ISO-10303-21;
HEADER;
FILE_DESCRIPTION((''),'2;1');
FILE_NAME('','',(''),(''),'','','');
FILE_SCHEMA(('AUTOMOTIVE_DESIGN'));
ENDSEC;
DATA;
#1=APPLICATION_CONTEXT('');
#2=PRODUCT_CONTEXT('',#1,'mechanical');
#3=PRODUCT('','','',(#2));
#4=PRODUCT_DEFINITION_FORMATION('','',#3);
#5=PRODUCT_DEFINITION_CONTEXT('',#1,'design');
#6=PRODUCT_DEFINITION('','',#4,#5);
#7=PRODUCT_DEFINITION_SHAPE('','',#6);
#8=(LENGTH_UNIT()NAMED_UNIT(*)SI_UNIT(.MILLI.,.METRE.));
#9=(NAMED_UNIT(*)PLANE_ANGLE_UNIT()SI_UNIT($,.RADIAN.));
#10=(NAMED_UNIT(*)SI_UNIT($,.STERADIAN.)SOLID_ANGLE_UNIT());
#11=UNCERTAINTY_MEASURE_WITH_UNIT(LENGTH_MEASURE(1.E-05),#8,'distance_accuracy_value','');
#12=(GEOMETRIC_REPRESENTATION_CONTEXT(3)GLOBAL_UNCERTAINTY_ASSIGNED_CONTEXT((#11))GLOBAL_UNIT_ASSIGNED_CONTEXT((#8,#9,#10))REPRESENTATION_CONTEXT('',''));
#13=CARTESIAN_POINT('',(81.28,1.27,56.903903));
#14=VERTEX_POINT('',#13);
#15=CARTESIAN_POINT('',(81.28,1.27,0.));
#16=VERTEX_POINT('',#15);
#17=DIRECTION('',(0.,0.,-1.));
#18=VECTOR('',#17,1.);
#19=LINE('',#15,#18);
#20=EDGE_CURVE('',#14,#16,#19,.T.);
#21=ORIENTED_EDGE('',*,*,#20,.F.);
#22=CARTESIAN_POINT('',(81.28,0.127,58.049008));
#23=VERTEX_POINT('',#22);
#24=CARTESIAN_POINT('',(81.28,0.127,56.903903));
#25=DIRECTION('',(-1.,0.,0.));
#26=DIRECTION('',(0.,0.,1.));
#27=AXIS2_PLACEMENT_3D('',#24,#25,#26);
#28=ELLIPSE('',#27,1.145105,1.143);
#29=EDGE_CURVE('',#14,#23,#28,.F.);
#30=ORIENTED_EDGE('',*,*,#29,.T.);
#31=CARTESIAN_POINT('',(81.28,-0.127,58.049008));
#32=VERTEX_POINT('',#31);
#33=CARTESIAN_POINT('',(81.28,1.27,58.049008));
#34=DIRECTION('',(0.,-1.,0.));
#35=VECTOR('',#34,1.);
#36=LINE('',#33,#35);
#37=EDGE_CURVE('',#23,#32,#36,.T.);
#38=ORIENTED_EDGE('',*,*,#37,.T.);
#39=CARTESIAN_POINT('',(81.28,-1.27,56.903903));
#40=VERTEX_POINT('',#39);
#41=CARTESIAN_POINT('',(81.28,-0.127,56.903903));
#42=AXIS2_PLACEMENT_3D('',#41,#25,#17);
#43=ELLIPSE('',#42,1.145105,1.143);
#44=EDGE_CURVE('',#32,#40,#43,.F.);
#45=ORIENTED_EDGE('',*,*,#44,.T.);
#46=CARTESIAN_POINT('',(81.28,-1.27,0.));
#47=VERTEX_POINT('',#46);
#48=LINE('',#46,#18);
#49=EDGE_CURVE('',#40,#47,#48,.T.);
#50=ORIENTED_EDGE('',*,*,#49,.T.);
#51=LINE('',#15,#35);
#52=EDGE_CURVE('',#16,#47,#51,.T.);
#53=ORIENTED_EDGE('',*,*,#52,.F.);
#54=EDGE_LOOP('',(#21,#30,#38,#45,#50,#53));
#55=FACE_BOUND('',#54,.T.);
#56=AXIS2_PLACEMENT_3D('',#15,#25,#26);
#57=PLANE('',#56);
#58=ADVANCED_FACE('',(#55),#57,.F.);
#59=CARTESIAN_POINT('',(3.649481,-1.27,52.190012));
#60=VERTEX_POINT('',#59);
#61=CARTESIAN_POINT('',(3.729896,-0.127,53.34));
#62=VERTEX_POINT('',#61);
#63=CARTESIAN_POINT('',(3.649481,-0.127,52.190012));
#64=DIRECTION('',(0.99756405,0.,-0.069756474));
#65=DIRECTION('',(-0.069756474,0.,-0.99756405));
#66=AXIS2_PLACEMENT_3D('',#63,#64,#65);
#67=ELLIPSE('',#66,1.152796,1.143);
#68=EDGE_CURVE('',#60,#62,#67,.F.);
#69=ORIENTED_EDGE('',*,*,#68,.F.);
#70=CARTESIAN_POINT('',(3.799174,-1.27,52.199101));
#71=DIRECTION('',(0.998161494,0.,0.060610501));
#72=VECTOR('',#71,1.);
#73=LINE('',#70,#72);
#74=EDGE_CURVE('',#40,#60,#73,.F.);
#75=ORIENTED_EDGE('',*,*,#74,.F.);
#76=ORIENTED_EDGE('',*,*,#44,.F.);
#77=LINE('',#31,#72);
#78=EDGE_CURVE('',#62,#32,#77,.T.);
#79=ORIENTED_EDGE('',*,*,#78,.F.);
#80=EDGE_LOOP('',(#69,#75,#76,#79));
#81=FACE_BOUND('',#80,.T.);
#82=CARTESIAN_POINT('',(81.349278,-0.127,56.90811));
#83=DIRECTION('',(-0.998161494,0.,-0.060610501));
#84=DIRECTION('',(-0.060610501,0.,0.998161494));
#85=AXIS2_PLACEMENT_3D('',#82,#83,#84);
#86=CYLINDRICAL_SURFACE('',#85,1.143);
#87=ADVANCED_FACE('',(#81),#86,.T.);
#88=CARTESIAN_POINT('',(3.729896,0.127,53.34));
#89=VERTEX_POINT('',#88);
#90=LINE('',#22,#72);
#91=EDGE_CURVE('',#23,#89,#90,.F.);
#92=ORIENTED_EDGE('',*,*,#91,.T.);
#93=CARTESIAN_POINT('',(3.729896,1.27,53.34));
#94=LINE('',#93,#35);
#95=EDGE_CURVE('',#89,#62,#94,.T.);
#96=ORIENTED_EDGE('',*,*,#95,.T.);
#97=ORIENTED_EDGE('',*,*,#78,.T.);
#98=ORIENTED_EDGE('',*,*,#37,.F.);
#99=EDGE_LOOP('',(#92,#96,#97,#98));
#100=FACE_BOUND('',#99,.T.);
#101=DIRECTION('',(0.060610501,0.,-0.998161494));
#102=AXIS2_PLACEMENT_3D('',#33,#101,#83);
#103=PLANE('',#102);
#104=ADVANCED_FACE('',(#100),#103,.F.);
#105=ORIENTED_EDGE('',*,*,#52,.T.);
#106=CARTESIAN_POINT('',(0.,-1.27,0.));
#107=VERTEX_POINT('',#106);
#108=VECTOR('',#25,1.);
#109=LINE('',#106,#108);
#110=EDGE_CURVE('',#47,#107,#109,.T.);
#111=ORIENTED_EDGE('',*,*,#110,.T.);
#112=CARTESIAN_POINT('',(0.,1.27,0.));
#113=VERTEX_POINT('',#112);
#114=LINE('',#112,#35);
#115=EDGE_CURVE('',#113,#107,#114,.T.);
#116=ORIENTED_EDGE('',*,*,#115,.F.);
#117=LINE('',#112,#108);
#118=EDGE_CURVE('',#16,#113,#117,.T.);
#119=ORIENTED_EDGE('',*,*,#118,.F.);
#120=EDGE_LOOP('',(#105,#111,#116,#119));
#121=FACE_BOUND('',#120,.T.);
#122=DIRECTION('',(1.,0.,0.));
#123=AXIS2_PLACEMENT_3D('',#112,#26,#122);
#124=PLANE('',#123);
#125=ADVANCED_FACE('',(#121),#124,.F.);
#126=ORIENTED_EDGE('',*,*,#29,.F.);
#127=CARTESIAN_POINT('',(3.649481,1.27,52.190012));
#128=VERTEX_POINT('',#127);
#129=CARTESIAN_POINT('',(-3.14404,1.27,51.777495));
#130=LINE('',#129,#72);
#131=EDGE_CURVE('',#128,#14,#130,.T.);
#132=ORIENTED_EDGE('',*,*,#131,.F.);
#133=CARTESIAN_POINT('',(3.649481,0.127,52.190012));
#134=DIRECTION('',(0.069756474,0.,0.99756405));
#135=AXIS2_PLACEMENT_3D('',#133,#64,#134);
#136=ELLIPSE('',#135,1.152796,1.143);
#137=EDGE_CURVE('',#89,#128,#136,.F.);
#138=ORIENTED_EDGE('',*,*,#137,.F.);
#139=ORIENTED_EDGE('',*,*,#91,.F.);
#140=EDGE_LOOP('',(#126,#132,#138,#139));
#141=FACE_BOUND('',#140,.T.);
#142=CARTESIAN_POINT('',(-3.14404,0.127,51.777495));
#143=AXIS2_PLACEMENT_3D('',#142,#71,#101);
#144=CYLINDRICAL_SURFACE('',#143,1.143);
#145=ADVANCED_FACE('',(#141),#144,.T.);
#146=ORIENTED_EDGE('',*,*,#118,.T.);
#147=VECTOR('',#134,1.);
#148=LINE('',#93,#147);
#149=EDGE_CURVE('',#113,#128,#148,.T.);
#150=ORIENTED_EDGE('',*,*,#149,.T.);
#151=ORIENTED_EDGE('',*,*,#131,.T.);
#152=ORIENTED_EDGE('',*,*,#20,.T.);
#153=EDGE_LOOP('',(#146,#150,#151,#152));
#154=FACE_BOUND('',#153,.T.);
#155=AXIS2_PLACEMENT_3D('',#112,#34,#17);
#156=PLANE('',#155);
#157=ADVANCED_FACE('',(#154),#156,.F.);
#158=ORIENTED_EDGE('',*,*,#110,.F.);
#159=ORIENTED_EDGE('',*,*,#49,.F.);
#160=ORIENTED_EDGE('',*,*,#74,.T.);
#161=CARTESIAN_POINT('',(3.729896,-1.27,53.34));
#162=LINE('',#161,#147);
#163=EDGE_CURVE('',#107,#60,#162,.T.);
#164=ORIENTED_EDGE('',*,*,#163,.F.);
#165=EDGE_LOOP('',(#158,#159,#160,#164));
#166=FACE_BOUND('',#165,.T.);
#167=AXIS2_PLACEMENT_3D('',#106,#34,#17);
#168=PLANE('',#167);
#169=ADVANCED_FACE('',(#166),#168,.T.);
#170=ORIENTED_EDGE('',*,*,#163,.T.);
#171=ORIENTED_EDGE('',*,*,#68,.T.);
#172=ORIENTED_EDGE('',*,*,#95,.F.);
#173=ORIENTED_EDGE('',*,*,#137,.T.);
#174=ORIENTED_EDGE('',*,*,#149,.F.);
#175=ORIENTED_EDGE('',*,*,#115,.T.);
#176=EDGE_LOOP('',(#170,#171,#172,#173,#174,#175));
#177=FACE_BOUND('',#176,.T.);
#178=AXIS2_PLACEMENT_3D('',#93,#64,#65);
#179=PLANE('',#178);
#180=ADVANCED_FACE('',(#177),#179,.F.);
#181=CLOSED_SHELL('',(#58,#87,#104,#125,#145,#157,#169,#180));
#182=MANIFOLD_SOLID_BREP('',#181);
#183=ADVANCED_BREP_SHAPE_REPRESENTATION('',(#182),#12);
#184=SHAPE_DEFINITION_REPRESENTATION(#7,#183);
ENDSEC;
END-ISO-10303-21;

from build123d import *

# Parameters (mm, degrees)
BOSS_EXTRUDE1_DEPTH = 1.27
FILLET1_R           = 1.143


with BuildPart() as part:
    # Sketch1 → Boss-Extrude1 (new body, symmetric)
    with BuildSketch(Plane(origin=(0, 0, 0), x_dir=(1, 0, 0), z_dir=(0, 1, 0))):
        Polygon((0, 0), (81.28, 0), (81.28, -58.049008178), (3.729896149, -53.34), align=None)
    extrude(amount=BOSS_EXTRUDE1_DEPTH, both=True)

    # Fillet1
    fillet1_edges = [part.edges().sort_by_distance(p)[0] for p in [
        (42.504948075, -1.27, 55.694504089),
        (42.504948075, 1.27, 55.694504089),
    ]]
    fillet(fillet1_edges, radius=FILLET1_R)


solid = part.part
